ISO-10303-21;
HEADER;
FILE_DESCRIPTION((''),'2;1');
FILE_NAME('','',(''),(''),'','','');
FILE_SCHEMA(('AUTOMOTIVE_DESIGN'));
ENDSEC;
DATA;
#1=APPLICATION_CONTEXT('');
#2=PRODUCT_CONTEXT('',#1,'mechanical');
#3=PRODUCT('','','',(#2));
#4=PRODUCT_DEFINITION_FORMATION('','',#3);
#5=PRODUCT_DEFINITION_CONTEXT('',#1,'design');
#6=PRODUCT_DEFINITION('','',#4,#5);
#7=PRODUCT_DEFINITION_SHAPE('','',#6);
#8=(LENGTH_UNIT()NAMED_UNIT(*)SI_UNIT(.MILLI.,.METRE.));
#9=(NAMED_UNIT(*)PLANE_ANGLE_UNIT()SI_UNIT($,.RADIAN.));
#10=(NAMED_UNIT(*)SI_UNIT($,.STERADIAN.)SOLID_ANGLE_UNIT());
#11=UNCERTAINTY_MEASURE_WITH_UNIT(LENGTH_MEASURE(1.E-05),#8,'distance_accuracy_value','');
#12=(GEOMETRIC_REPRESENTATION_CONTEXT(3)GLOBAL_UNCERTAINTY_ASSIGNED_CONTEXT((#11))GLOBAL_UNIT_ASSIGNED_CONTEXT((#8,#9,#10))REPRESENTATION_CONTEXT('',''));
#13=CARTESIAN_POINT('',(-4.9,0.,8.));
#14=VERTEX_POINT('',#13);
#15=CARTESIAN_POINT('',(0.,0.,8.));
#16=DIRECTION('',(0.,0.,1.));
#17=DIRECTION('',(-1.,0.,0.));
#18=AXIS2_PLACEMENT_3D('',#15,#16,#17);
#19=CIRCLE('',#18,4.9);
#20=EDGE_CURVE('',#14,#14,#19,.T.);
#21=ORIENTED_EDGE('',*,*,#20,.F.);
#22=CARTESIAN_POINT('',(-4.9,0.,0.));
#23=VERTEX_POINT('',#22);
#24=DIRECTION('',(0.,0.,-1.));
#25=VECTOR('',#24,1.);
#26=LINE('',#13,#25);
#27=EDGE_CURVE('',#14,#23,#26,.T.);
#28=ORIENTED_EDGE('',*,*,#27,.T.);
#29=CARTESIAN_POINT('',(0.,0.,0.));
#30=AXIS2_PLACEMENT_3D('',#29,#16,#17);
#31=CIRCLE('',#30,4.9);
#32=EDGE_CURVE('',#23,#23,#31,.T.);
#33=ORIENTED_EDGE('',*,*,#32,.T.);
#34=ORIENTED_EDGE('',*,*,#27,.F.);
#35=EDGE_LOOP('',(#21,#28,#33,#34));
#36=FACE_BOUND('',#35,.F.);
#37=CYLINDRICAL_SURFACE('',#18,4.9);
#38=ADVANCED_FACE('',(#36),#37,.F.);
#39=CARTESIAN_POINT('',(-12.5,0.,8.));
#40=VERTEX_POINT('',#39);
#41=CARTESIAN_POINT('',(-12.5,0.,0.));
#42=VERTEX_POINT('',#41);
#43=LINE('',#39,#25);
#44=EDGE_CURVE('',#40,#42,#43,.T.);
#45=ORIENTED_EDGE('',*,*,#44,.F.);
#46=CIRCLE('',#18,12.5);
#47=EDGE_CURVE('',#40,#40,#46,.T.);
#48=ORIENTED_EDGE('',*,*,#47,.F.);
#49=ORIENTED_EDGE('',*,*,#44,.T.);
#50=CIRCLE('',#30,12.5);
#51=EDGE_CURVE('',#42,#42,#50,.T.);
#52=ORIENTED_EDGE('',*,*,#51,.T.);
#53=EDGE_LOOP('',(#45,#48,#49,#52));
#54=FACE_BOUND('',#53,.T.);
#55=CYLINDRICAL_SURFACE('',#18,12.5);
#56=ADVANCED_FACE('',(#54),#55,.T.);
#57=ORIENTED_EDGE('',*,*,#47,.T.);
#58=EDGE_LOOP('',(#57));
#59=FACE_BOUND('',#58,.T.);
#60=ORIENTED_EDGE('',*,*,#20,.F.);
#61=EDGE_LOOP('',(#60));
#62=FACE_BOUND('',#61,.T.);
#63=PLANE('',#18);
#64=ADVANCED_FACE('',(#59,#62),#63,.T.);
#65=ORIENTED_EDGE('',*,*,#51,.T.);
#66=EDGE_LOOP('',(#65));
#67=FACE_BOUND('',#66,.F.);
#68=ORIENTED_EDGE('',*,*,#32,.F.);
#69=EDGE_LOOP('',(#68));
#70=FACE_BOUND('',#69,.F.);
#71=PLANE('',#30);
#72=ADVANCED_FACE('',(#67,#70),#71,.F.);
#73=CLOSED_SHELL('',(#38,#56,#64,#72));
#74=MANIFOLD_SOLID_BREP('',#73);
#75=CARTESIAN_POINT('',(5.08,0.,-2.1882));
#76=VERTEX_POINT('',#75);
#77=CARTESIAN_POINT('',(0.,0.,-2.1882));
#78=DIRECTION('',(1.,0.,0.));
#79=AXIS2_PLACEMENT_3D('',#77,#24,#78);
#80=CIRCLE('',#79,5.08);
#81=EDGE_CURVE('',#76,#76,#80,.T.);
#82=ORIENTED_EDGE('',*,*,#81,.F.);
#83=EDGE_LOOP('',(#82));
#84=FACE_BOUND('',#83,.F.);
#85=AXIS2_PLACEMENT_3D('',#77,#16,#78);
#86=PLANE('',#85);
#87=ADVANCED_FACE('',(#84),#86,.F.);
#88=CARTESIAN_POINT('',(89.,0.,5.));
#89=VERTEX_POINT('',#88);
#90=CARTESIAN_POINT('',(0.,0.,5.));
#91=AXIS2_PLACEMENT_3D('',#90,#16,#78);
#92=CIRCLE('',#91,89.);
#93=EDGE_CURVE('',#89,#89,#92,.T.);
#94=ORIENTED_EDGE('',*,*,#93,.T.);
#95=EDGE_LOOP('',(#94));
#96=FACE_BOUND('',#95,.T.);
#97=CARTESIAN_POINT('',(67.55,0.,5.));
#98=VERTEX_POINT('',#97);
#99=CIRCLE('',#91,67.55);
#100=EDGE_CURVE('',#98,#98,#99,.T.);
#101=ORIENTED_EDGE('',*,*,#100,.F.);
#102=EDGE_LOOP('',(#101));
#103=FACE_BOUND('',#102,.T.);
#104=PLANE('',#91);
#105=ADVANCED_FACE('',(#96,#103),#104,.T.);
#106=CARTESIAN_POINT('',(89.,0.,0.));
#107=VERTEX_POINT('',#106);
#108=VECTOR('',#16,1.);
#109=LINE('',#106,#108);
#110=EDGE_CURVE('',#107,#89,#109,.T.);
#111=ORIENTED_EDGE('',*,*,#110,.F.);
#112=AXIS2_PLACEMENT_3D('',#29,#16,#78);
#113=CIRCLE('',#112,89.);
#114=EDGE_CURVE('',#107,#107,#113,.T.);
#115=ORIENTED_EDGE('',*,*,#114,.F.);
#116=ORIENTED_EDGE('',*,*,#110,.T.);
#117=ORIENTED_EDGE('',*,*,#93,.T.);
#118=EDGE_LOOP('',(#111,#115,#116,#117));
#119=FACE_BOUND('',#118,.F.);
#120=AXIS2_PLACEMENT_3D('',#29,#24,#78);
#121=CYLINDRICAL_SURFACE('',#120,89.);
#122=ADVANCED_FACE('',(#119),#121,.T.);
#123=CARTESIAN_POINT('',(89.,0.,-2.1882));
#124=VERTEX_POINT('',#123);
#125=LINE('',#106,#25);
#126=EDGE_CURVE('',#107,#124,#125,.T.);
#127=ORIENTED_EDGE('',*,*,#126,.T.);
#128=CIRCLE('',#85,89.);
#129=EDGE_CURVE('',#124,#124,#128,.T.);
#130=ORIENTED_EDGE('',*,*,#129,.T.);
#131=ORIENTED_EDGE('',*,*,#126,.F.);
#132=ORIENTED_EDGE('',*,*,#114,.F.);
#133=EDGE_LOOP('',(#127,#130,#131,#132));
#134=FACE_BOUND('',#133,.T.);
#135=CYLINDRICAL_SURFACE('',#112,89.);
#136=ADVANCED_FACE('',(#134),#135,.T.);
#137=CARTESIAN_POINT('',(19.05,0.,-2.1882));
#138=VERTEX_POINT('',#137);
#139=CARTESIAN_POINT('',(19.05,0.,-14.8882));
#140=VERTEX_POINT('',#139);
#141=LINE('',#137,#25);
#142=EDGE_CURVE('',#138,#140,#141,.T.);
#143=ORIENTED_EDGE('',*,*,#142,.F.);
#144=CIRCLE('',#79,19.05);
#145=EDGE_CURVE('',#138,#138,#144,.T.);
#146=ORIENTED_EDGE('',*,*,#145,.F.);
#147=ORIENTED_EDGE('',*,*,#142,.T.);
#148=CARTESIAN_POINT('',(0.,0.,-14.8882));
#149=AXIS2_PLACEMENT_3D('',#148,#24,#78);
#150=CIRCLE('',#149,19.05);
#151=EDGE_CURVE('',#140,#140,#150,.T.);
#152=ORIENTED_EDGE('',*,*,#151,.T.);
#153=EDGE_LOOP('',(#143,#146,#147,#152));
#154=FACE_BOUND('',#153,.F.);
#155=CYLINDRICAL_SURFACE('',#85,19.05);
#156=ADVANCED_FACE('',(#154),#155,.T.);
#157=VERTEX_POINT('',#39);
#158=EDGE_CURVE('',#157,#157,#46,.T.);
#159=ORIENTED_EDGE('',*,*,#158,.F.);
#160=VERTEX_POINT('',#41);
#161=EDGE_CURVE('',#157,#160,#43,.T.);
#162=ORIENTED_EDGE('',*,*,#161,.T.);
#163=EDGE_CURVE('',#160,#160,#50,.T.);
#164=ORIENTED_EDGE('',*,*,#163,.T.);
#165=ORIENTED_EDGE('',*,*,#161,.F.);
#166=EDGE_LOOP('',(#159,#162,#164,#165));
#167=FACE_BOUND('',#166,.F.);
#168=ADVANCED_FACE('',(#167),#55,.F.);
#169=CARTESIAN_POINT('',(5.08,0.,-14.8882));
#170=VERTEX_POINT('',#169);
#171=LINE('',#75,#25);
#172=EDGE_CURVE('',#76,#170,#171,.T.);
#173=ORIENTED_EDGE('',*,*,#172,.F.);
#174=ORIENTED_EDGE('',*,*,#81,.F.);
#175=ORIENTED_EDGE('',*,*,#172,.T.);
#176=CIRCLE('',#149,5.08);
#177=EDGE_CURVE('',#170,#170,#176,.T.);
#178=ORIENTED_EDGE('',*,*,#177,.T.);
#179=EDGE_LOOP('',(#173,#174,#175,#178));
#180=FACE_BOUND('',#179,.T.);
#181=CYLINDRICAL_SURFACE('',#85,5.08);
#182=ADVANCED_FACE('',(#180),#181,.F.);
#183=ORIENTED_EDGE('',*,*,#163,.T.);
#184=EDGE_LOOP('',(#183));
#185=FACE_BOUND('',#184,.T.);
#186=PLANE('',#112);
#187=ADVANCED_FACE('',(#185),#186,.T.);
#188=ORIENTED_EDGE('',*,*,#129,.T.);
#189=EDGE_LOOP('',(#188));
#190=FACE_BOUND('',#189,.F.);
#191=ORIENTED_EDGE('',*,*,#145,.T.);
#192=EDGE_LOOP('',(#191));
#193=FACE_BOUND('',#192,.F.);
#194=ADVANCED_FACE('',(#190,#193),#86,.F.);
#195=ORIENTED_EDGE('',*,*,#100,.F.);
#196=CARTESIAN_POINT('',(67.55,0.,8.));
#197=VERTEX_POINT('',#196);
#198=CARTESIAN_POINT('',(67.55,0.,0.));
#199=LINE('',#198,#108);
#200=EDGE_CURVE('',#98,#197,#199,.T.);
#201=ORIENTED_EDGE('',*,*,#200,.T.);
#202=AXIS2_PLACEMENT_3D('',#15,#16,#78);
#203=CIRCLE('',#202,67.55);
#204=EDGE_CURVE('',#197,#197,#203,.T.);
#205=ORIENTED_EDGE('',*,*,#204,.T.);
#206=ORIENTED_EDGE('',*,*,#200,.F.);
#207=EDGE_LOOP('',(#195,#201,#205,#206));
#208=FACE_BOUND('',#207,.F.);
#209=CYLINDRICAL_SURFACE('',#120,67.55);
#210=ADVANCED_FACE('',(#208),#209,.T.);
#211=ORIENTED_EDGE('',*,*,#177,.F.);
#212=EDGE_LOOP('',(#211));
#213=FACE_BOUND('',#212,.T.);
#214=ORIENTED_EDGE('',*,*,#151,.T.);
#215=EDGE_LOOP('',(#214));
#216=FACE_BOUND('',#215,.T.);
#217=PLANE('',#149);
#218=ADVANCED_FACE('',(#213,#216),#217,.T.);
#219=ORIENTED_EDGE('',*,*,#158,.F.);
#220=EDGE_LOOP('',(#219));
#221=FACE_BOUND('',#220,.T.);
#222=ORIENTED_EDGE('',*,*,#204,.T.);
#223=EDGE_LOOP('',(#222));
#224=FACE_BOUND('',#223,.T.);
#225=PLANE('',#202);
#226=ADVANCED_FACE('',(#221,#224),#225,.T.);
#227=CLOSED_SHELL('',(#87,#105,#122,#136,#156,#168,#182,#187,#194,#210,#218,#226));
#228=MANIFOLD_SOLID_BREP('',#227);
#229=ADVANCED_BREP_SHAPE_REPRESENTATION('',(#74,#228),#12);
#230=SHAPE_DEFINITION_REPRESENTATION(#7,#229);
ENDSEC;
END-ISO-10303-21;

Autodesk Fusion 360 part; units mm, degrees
sketch "Sketch1" plane through (0, 0, 0) normal (0, 0, 1) x (1, 0, 0)
  circle A0 centre (0, 0) radius 89
  circle A1 centre (0, 0) radius 67.55
  dimension "d1" = 178
  dimension "d2" = 135.1
extrude "Extrude1" add sketch "Sketch1" along normal blind 8 contours A1 makes body 1
extrude "Extrude2" add sketch "Sketch1" along normal blind 5 bodies 1
sketch "Sketch2" plane through (0, 0, 8) normal (0, 0, 1) x (-1, 0, 0)
  circle A0 centre (0, 0) radius 67.55
  circle A1 centre (0, 0) radius 12.5
  circle A2 centre (0, 0) radius 4.9
  dimension "d7" = 25
  dimension "d19" = 9.8
extrude "Extrude3" cut sketch "Sketch2" against normal blind 10 contours A1 | A2 bodies 1
sketch "Sketch3" plane through (0, 0, 0) normal (0, 0, 1) x (1, 0, 0)
  circle A0 centre (0, 0) radius 4.9
  circle A1 centre (0, 0) radius 12.5
  dimension "d10" = 9.8
extrude "Extrude5" add sketch "Sketch1" against normal blind 2.1882 contours A0 | A1 bodies 1
sketch "Sketch4" plane through (0, 0, -2.1882) normal (0, 0, -1) x (1, 0, 0)
  circle A0 centre (0, 0) radius 89
  circle A1 centre (0, 0) radius 19.05
  circle A2 centre (0, 0) radius 5.08
  dimension "d15" = 38.1
  dimension "d16" = 10.16
extrude "Extrude6" add sketch "Sketch4" along normal blind 12.7 contours A1 bodies 1
sketch "Sketch5" plane through (0, 0, 8) normal (0, 0, 1) x (-1, 0, 0)
  circle A0 centre (0, 0) radius 12.5
  circle A1 centre (0, 0) radius 4.9
extrude "Extrude7" add sketch "Sketch5" against normal up to surface (8 mm away) separate body makes body 2
equation "d13 = -( 0.283 in - 5 mm )"
